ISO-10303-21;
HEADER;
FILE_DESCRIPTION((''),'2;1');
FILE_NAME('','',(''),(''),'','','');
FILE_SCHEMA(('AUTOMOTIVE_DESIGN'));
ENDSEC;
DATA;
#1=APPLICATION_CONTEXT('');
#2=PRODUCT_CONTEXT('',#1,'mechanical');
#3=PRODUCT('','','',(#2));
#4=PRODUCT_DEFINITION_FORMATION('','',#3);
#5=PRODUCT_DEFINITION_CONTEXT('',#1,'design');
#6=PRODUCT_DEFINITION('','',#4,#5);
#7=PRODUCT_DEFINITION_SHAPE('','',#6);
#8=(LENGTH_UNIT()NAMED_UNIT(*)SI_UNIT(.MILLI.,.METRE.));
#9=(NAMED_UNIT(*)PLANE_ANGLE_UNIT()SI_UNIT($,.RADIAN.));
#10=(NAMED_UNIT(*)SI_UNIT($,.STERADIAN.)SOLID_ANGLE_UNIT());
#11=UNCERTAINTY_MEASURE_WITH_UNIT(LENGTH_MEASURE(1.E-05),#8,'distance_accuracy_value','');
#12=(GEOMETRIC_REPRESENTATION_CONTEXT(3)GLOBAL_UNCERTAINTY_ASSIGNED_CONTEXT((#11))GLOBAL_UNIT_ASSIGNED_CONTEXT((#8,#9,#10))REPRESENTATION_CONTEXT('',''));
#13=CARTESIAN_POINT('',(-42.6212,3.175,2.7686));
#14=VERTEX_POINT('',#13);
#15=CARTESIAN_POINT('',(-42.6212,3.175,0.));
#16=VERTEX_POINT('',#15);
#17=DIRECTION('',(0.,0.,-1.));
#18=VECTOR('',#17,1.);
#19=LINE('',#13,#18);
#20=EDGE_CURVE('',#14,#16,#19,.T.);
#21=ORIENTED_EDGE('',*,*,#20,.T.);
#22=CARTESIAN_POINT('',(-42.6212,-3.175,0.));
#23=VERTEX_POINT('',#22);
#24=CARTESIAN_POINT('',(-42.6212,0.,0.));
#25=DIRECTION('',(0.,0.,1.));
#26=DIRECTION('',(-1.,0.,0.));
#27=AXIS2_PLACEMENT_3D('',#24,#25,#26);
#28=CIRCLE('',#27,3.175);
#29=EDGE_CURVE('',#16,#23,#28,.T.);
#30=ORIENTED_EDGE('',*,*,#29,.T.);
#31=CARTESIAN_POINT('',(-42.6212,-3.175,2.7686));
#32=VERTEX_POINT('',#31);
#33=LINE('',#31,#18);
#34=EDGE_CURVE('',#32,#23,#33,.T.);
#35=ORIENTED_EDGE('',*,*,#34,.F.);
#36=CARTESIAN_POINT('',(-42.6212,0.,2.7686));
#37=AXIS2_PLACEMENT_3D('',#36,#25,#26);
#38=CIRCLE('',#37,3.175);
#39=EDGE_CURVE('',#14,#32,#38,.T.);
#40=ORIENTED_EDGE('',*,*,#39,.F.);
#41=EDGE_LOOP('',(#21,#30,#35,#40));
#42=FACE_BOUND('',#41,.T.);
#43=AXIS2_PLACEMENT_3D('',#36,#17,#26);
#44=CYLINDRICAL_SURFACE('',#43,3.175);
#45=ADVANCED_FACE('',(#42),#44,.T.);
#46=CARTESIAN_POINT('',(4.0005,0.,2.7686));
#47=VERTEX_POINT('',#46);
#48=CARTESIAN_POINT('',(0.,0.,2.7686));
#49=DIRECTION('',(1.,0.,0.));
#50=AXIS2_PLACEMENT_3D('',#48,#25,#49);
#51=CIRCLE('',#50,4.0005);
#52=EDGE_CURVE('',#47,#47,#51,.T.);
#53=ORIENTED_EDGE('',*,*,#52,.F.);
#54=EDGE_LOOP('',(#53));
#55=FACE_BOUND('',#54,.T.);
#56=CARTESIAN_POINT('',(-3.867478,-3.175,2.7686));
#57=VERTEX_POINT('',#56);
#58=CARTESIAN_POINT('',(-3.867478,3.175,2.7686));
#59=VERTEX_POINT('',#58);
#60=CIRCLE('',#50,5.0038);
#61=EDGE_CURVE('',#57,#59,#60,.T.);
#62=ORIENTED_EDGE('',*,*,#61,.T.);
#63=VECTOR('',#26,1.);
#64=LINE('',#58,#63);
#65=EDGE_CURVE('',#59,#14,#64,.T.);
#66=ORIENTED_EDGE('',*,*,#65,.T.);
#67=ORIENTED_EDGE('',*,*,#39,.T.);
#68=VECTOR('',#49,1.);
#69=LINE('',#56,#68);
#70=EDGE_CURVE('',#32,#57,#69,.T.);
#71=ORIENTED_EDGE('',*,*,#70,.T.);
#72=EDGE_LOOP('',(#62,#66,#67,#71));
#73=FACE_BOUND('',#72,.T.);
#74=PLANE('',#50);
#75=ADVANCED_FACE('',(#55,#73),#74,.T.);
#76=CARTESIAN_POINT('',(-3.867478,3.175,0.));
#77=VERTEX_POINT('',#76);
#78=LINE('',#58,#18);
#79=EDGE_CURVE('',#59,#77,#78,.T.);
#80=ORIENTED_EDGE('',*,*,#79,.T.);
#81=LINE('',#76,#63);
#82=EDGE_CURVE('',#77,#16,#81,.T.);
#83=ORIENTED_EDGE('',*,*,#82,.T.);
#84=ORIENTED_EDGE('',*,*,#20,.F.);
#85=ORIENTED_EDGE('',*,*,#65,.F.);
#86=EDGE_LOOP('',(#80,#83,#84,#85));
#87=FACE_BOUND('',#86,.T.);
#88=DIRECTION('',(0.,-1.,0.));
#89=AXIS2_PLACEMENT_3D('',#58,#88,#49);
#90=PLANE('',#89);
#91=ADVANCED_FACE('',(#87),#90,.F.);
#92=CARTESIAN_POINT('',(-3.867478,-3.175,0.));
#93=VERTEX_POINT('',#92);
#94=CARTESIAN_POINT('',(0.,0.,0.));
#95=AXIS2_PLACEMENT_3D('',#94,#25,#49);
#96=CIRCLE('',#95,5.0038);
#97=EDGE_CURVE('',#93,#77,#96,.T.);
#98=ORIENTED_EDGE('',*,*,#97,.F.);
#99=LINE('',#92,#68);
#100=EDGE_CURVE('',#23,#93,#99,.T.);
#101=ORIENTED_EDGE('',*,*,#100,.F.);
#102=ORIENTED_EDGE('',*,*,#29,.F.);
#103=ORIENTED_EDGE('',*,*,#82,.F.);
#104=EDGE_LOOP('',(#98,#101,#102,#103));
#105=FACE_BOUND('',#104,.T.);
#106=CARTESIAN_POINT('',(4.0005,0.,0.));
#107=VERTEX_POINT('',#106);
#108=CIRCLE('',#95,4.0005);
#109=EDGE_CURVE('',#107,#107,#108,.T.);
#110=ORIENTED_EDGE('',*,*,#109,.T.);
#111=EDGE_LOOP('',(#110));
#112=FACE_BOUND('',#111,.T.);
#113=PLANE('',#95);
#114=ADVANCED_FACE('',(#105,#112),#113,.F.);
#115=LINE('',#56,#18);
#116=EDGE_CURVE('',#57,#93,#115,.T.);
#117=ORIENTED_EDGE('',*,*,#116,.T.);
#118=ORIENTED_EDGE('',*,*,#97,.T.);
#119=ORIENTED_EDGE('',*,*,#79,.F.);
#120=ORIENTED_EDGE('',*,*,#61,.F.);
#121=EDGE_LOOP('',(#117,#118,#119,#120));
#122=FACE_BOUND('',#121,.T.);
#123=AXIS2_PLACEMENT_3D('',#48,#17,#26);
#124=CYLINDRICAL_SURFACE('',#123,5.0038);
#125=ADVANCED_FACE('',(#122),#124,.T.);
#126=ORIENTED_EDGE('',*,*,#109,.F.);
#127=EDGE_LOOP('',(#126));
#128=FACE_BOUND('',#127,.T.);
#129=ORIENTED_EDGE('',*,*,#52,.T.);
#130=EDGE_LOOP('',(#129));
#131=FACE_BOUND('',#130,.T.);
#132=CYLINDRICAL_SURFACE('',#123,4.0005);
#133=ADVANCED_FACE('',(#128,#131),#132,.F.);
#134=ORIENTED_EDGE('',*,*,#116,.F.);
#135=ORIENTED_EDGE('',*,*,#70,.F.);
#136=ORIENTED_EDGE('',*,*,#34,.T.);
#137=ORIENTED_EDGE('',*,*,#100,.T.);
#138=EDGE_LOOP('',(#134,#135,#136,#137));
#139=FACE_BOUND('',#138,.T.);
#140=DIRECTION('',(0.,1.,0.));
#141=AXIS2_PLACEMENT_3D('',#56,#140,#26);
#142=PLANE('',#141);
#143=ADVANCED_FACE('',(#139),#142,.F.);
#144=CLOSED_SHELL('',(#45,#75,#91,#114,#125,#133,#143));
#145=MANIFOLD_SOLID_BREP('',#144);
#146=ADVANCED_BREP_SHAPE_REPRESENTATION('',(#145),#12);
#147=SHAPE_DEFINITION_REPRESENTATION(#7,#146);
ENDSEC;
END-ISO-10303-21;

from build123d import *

# Parameters (mm, degrees)
SKETCH1_R           = 4.0005
BOSS_EXTRUDE1_DEPTH = 2.7686


with BuildPart() as part:
    # Sketch1 → Boss-Extrude1 (new body)
    with BuildSketch(Plane.XY):
        with BuildLine():
            Line((-3.867478434, 3.175), (-42.6212, 3.175))
            ThreePointArc((-42.6212, 3.175), (-45.7962, 0), (-42.6212, -3.175))
            Line((-42.6212, -3.175), (-3.867478434, -3.175))
            ThreePointArc((-3.867478434, -3.175), (5.0038, 0), (-3.867478434, 3.175))
        make_face()
        Circle(SKETCH1_R, mode=Mode.SUBTRACT)
    extrude(amount=BOSS_EXTRUDE1_DEPTH)


solid = part.part
